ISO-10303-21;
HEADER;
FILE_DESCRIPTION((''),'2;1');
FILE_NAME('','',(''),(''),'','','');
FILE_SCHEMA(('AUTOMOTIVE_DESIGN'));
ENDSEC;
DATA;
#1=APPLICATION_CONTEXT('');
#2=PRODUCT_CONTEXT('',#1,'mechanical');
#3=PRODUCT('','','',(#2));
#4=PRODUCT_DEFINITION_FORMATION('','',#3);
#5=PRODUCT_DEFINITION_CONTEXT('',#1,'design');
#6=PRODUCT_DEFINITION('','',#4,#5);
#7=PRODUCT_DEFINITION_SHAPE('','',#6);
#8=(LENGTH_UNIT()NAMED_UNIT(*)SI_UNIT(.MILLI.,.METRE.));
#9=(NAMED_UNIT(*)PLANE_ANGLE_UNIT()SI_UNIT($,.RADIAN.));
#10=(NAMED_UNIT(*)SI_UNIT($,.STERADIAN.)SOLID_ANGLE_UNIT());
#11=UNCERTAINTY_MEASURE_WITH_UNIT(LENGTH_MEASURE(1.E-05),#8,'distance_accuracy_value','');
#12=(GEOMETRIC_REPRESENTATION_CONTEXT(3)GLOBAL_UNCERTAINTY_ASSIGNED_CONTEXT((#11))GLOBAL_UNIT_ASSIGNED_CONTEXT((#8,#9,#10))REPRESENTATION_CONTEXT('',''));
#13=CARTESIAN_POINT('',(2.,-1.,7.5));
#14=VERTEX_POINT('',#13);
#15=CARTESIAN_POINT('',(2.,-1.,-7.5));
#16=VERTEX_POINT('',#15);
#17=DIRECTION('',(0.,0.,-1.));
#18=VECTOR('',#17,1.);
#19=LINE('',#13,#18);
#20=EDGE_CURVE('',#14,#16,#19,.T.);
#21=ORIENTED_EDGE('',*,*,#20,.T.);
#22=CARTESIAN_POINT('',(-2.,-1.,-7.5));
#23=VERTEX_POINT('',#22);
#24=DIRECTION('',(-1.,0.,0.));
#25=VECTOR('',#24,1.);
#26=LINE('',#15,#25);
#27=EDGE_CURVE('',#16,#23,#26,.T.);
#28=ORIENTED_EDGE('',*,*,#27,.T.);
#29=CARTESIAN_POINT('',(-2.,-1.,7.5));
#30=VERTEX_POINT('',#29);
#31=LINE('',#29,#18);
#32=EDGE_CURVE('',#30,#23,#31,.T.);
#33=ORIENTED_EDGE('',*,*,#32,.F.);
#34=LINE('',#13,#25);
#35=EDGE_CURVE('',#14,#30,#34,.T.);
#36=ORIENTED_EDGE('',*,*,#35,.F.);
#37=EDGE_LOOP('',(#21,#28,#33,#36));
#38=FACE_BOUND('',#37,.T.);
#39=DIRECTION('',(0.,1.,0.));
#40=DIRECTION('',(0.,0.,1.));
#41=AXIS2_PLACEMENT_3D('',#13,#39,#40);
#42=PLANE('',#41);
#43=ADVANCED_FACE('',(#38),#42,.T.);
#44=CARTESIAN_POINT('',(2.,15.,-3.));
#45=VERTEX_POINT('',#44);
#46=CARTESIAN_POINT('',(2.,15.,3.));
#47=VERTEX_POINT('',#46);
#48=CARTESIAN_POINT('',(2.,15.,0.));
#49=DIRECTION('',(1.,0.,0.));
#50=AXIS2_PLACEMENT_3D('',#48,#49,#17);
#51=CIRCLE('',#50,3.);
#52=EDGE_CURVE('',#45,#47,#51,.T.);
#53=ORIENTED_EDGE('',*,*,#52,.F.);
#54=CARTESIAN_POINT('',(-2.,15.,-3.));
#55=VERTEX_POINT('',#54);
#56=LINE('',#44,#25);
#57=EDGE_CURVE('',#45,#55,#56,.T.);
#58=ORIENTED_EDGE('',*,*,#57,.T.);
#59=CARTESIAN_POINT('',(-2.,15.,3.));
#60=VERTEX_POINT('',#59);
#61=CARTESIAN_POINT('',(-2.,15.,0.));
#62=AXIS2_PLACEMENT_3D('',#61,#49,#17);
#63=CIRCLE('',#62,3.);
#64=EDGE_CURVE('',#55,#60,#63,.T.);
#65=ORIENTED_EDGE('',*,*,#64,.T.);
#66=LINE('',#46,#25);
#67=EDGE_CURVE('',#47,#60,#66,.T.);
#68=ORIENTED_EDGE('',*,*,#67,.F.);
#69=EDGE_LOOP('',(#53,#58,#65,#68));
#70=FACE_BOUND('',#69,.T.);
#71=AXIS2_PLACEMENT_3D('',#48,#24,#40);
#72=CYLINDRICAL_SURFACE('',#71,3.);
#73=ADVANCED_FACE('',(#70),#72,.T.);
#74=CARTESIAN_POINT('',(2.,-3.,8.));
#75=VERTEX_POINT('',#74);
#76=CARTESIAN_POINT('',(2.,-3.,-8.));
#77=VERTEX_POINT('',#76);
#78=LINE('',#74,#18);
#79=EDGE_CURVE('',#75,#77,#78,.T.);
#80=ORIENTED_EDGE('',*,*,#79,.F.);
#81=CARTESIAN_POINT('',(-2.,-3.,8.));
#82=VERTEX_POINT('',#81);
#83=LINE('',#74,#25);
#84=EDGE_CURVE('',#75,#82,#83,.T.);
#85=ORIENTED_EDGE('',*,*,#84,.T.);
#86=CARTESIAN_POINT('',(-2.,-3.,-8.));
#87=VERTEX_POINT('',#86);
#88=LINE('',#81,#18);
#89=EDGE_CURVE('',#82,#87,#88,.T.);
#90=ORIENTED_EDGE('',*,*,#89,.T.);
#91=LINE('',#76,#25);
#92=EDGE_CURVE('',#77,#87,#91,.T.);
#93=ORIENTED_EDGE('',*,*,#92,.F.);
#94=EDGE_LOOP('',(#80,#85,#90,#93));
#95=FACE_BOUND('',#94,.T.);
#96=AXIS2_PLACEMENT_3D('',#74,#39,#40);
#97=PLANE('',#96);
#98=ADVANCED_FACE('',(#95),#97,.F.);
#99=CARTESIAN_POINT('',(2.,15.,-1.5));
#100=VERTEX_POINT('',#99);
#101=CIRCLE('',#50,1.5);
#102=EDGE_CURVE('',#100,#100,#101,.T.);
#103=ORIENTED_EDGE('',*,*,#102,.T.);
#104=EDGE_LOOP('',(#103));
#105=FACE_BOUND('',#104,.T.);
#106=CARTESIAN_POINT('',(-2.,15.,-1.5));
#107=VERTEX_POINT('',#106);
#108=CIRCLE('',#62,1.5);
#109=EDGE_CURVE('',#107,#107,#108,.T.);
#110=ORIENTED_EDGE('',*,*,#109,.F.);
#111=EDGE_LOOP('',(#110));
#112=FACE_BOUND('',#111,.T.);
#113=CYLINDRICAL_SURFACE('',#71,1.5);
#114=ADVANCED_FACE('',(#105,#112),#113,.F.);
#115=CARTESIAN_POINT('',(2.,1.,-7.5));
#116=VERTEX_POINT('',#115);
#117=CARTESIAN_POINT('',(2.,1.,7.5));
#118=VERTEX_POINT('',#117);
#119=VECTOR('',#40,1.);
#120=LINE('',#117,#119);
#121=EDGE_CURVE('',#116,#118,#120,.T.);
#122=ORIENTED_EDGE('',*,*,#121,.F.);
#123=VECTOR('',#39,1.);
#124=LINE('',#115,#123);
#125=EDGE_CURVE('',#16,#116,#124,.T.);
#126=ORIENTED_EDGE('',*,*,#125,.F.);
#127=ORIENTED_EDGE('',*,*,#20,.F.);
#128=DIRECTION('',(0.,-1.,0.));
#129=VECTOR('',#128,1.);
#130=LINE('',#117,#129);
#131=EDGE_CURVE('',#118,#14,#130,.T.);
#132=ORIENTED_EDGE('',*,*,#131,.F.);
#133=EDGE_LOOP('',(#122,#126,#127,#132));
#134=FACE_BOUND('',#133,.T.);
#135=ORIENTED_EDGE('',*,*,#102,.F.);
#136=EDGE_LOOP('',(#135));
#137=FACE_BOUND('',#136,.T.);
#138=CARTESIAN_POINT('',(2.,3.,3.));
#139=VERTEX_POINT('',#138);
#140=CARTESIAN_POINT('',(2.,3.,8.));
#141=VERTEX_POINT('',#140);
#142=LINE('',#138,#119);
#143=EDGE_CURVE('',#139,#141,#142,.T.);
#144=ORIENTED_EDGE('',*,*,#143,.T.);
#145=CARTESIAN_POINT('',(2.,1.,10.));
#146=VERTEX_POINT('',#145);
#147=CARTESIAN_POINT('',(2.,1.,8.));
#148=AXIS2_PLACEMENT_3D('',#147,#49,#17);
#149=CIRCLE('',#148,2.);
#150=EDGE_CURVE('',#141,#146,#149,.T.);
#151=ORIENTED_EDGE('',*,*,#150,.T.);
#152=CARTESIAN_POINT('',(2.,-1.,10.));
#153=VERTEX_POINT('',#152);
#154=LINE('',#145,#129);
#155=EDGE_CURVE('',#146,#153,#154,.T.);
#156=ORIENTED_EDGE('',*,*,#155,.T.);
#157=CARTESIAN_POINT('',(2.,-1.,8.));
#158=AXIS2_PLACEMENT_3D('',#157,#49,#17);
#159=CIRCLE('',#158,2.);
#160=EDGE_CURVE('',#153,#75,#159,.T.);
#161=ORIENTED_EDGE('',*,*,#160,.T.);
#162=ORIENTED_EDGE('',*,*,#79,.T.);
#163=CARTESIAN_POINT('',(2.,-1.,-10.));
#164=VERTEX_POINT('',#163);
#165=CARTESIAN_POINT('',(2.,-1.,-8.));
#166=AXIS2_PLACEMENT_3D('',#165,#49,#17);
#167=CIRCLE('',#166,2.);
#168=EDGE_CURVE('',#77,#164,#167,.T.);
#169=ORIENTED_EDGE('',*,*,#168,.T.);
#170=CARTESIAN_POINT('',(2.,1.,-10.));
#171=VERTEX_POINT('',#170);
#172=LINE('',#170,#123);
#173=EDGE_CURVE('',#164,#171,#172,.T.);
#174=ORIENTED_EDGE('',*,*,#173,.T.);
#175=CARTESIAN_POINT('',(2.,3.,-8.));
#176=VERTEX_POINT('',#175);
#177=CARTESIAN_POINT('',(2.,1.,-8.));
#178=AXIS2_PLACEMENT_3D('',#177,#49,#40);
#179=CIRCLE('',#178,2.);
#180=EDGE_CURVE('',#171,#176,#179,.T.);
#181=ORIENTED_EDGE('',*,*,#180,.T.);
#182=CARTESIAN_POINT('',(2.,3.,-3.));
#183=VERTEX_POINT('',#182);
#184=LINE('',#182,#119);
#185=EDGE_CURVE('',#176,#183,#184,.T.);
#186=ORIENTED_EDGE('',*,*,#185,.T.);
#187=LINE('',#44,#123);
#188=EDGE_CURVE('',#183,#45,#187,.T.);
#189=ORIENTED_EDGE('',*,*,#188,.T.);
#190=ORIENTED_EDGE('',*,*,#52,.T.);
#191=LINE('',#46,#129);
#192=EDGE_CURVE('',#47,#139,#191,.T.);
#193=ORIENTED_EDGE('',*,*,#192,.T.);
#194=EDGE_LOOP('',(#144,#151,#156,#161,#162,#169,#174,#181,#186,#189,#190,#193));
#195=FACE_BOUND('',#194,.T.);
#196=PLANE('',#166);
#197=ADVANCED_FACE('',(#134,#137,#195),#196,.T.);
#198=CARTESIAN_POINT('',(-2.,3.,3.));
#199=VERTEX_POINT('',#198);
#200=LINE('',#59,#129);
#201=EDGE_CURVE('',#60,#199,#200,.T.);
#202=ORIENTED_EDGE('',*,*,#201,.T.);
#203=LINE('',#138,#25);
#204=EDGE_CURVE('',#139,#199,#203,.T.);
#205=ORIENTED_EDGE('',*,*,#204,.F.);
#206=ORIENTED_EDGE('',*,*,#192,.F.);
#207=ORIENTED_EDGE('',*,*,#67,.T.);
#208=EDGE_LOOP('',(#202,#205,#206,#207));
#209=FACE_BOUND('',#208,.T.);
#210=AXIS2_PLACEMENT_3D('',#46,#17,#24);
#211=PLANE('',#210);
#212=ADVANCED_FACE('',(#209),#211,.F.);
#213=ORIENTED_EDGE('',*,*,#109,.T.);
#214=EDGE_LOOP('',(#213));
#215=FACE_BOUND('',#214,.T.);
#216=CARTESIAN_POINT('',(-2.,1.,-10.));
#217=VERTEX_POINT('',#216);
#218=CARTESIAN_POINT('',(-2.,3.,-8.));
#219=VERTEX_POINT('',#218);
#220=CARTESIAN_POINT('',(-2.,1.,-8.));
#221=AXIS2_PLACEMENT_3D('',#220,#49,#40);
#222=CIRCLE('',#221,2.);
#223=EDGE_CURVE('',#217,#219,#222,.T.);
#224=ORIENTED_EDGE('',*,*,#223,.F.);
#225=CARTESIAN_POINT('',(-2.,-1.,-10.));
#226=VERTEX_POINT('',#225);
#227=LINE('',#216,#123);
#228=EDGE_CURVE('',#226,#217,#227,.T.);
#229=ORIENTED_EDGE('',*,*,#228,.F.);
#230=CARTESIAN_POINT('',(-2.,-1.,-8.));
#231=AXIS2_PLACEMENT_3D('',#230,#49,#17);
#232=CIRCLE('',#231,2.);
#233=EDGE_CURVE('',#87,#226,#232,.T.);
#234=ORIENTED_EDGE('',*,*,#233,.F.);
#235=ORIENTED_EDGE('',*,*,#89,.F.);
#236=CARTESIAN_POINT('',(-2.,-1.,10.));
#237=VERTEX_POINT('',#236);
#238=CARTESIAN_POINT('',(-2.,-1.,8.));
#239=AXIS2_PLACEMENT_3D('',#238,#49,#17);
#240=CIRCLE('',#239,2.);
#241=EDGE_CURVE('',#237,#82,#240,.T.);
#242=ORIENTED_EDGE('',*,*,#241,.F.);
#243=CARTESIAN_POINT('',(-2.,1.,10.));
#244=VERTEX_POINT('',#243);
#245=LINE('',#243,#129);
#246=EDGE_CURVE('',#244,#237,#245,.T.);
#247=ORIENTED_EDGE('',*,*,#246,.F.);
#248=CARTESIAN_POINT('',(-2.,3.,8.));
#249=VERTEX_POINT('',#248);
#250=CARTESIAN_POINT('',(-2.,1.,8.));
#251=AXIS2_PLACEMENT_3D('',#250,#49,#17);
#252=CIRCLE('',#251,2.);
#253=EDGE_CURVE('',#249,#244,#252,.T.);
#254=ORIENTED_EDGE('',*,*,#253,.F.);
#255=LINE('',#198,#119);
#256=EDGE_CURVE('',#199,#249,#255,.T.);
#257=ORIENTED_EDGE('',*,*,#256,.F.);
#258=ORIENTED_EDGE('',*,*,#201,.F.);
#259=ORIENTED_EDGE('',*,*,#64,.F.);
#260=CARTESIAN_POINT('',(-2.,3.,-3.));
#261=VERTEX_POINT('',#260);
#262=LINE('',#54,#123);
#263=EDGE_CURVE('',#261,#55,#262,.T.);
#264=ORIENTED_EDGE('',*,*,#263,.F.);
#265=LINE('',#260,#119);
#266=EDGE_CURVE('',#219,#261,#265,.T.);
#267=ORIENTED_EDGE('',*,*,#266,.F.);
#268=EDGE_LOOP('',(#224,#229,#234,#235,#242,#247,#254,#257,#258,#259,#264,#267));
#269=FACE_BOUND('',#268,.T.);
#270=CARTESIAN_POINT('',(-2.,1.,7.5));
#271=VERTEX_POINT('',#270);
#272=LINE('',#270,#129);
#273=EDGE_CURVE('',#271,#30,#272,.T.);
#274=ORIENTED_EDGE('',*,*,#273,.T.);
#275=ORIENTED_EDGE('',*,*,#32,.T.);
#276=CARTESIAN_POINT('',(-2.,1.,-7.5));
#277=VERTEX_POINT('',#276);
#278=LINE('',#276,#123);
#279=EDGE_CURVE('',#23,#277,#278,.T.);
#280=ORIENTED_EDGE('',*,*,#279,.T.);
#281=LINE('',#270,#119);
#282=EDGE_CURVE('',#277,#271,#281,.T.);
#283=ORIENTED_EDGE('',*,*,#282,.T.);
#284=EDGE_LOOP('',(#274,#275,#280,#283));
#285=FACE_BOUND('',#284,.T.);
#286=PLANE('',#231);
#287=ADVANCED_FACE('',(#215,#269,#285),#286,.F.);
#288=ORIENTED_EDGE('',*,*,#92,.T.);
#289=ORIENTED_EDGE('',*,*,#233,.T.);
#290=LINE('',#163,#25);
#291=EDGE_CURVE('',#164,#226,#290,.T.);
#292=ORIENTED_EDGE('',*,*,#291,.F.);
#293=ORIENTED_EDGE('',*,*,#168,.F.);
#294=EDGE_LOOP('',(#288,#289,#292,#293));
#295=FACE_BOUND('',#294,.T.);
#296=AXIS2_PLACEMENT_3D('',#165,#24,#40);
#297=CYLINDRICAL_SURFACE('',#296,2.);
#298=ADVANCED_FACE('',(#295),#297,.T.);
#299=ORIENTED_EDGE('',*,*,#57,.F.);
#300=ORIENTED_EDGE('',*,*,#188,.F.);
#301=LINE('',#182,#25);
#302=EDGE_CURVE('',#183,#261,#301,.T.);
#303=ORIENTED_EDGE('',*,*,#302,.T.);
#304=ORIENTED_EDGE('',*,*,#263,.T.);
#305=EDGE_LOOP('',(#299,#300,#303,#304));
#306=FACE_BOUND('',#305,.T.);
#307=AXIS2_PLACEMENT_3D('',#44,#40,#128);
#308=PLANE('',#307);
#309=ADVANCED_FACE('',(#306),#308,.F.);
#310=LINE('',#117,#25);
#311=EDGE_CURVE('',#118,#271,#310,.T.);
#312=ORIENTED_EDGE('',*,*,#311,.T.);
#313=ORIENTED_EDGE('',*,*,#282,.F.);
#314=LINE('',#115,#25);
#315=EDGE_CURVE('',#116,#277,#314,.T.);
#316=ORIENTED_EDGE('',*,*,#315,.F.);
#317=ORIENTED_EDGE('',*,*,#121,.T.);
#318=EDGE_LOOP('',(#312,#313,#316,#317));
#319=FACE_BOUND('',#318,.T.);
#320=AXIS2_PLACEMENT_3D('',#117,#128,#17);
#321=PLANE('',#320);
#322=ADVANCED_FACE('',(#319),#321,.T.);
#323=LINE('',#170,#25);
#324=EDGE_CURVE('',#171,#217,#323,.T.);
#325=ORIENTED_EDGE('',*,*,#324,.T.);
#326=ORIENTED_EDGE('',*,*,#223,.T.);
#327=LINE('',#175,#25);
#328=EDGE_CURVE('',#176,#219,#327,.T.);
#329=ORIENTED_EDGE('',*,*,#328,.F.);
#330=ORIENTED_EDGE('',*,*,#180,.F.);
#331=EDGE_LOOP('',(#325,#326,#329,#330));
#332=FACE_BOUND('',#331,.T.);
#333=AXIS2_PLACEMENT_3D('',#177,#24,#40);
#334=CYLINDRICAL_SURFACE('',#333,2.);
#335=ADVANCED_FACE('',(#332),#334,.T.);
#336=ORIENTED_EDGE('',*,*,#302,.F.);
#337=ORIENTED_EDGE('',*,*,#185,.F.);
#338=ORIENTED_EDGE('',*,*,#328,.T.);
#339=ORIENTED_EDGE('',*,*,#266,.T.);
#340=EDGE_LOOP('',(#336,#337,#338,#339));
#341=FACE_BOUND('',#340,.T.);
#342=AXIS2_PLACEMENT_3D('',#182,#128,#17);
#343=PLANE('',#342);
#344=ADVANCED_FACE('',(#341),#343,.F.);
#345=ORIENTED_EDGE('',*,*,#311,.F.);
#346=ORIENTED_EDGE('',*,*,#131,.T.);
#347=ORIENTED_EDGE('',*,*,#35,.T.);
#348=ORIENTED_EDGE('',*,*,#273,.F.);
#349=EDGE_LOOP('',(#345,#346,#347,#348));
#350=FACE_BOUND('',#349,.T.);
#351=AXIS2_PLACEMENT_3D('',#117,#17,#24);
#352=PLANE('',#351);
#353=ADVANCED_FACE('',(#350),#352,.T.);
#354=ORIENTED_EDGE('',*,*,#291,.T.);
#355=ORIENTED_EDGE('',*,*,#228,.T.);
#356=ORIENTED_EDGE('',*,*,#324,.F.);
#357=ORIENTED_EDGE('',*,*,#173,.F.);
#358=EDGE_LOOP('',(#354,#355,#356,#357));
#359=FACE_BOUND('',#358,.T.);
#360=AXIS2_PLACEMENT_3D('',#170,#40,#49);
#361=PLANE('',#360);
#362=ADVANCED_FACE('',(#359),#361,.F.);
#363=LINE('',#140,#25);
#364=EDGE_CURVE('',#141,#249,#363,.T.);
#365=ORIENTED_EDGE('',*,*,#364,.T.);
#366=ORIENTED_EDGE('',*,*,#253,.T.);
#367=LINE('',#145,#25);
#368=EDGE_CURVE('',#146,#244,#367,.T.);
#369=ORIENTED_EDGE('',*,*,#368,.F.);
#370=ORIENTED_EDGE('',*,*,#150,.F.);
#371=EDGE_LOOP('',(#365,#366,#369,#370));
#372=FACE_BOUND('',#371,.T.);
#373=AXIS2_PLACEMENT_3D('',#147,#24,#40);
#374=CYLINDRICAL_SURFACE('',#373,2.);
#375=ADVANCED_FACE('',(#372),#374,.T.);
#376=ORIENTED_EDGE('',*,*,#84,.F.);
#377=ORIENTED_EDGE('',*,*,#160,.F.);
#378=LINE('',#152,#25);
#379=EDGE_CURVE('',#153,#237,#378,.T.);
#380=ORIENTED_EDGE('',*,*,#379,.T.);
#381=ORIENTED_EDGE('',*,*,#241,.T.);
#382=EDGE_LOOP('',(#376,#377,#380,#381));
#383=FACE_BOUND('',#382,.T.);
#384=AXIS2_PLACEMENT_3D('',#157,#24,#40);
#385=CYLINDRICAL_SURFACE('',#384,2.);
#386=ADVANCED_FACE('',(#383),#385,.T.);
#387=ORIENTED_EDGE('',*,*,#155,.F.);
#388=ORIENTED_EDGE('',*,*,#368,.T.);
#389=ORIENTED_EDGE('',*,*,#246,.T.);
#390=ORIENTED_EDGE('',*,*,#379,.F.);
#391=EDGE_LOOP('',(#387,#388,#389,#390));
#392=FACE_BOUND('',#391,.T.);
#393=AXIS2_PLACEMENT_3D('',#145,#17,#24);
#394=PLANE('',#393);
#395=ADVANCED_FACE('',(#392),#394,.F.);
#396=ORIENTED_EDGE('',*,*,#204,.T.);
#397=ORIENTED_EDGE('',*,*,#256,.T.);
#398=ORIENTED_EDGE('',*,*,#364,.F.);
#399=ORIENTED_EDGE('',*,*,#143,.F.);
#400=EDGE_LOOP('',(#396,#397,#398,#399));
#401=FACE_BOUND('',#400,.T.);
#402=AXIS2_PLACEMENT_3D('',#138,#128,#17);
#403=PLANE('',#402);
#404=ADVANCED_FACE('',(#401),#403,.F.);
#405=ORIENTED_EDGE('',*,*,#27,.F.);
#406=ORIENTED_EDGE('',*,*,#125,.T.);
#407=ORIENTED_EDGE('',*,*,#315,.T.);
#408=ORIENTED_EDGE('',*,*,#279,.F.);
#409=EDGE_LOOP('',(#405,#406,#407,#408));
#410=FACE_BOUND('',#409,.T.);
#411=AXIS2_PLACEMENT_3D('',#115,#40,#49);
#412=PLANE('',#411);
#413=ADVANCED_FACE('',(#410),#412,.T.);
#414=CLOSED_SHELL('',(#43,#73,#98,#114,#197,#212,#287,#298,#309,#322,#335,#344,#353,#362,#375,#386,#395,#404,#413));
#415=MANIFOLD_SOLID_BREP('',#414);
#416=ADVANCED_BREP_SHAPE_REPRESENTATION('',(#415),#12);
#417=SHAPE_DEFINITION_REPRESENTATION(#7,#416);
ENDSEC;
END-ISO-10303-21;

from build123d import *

# Parameters (mm, degrees)
CROQUIS1_R              = 1.5
CROQUIS1_W              = 15
CROQUIS1_H              = 2
SALIENTE_EXTRUIR1_DEPTH = 2


with BuildPart() as part:
    # Croquis1 → Saliente-Extruir1 (new, symmetric)
    with BuildSketch(Plane(origin=(0, 0, 0), x_dir=(0, 0, -1), z_dir=(1, 0, 0))):
        with BuildLine():
            Line((-10, 1), (-10, -1))
            ThreePointArc((-10, -1), (-9.414213562, -2.414213562), (-8, -3))
            Line((-8, -3), (8, -3))
            ThreePointArc((8, -3), (9.414213562, -2.414213562), (10, -1))
            Line((10, -1), (10, 1))
            ThreePointArc((10, 1), (9.414213562, 2.414213562), (8, 3))
            Line((8, 3), (3, 3))
            Line((3, 3), (3, 15))
            ThreePointArc((3, 15), (0, 18), (-3, 15))
            Line((-3, 15), (-3, 3))
            Line((-3, 3), (-8, 3))
            ThreePointArc((-8, 3), (-9.414213562, 2.414213562), (-10, 1))
        make_face()
        with Locations((0, 15)):
            Circle(CROQUIS1_R, mode=Mode.SUBTRACT)
        Rectangle(CROQUIS1_W, CROQUIS1_H, mode=Mode.SUBTRACT)
    extrude(amount=SALIENTE_EXTRUIR1_DEPTH, both=True)


solid = part.part
